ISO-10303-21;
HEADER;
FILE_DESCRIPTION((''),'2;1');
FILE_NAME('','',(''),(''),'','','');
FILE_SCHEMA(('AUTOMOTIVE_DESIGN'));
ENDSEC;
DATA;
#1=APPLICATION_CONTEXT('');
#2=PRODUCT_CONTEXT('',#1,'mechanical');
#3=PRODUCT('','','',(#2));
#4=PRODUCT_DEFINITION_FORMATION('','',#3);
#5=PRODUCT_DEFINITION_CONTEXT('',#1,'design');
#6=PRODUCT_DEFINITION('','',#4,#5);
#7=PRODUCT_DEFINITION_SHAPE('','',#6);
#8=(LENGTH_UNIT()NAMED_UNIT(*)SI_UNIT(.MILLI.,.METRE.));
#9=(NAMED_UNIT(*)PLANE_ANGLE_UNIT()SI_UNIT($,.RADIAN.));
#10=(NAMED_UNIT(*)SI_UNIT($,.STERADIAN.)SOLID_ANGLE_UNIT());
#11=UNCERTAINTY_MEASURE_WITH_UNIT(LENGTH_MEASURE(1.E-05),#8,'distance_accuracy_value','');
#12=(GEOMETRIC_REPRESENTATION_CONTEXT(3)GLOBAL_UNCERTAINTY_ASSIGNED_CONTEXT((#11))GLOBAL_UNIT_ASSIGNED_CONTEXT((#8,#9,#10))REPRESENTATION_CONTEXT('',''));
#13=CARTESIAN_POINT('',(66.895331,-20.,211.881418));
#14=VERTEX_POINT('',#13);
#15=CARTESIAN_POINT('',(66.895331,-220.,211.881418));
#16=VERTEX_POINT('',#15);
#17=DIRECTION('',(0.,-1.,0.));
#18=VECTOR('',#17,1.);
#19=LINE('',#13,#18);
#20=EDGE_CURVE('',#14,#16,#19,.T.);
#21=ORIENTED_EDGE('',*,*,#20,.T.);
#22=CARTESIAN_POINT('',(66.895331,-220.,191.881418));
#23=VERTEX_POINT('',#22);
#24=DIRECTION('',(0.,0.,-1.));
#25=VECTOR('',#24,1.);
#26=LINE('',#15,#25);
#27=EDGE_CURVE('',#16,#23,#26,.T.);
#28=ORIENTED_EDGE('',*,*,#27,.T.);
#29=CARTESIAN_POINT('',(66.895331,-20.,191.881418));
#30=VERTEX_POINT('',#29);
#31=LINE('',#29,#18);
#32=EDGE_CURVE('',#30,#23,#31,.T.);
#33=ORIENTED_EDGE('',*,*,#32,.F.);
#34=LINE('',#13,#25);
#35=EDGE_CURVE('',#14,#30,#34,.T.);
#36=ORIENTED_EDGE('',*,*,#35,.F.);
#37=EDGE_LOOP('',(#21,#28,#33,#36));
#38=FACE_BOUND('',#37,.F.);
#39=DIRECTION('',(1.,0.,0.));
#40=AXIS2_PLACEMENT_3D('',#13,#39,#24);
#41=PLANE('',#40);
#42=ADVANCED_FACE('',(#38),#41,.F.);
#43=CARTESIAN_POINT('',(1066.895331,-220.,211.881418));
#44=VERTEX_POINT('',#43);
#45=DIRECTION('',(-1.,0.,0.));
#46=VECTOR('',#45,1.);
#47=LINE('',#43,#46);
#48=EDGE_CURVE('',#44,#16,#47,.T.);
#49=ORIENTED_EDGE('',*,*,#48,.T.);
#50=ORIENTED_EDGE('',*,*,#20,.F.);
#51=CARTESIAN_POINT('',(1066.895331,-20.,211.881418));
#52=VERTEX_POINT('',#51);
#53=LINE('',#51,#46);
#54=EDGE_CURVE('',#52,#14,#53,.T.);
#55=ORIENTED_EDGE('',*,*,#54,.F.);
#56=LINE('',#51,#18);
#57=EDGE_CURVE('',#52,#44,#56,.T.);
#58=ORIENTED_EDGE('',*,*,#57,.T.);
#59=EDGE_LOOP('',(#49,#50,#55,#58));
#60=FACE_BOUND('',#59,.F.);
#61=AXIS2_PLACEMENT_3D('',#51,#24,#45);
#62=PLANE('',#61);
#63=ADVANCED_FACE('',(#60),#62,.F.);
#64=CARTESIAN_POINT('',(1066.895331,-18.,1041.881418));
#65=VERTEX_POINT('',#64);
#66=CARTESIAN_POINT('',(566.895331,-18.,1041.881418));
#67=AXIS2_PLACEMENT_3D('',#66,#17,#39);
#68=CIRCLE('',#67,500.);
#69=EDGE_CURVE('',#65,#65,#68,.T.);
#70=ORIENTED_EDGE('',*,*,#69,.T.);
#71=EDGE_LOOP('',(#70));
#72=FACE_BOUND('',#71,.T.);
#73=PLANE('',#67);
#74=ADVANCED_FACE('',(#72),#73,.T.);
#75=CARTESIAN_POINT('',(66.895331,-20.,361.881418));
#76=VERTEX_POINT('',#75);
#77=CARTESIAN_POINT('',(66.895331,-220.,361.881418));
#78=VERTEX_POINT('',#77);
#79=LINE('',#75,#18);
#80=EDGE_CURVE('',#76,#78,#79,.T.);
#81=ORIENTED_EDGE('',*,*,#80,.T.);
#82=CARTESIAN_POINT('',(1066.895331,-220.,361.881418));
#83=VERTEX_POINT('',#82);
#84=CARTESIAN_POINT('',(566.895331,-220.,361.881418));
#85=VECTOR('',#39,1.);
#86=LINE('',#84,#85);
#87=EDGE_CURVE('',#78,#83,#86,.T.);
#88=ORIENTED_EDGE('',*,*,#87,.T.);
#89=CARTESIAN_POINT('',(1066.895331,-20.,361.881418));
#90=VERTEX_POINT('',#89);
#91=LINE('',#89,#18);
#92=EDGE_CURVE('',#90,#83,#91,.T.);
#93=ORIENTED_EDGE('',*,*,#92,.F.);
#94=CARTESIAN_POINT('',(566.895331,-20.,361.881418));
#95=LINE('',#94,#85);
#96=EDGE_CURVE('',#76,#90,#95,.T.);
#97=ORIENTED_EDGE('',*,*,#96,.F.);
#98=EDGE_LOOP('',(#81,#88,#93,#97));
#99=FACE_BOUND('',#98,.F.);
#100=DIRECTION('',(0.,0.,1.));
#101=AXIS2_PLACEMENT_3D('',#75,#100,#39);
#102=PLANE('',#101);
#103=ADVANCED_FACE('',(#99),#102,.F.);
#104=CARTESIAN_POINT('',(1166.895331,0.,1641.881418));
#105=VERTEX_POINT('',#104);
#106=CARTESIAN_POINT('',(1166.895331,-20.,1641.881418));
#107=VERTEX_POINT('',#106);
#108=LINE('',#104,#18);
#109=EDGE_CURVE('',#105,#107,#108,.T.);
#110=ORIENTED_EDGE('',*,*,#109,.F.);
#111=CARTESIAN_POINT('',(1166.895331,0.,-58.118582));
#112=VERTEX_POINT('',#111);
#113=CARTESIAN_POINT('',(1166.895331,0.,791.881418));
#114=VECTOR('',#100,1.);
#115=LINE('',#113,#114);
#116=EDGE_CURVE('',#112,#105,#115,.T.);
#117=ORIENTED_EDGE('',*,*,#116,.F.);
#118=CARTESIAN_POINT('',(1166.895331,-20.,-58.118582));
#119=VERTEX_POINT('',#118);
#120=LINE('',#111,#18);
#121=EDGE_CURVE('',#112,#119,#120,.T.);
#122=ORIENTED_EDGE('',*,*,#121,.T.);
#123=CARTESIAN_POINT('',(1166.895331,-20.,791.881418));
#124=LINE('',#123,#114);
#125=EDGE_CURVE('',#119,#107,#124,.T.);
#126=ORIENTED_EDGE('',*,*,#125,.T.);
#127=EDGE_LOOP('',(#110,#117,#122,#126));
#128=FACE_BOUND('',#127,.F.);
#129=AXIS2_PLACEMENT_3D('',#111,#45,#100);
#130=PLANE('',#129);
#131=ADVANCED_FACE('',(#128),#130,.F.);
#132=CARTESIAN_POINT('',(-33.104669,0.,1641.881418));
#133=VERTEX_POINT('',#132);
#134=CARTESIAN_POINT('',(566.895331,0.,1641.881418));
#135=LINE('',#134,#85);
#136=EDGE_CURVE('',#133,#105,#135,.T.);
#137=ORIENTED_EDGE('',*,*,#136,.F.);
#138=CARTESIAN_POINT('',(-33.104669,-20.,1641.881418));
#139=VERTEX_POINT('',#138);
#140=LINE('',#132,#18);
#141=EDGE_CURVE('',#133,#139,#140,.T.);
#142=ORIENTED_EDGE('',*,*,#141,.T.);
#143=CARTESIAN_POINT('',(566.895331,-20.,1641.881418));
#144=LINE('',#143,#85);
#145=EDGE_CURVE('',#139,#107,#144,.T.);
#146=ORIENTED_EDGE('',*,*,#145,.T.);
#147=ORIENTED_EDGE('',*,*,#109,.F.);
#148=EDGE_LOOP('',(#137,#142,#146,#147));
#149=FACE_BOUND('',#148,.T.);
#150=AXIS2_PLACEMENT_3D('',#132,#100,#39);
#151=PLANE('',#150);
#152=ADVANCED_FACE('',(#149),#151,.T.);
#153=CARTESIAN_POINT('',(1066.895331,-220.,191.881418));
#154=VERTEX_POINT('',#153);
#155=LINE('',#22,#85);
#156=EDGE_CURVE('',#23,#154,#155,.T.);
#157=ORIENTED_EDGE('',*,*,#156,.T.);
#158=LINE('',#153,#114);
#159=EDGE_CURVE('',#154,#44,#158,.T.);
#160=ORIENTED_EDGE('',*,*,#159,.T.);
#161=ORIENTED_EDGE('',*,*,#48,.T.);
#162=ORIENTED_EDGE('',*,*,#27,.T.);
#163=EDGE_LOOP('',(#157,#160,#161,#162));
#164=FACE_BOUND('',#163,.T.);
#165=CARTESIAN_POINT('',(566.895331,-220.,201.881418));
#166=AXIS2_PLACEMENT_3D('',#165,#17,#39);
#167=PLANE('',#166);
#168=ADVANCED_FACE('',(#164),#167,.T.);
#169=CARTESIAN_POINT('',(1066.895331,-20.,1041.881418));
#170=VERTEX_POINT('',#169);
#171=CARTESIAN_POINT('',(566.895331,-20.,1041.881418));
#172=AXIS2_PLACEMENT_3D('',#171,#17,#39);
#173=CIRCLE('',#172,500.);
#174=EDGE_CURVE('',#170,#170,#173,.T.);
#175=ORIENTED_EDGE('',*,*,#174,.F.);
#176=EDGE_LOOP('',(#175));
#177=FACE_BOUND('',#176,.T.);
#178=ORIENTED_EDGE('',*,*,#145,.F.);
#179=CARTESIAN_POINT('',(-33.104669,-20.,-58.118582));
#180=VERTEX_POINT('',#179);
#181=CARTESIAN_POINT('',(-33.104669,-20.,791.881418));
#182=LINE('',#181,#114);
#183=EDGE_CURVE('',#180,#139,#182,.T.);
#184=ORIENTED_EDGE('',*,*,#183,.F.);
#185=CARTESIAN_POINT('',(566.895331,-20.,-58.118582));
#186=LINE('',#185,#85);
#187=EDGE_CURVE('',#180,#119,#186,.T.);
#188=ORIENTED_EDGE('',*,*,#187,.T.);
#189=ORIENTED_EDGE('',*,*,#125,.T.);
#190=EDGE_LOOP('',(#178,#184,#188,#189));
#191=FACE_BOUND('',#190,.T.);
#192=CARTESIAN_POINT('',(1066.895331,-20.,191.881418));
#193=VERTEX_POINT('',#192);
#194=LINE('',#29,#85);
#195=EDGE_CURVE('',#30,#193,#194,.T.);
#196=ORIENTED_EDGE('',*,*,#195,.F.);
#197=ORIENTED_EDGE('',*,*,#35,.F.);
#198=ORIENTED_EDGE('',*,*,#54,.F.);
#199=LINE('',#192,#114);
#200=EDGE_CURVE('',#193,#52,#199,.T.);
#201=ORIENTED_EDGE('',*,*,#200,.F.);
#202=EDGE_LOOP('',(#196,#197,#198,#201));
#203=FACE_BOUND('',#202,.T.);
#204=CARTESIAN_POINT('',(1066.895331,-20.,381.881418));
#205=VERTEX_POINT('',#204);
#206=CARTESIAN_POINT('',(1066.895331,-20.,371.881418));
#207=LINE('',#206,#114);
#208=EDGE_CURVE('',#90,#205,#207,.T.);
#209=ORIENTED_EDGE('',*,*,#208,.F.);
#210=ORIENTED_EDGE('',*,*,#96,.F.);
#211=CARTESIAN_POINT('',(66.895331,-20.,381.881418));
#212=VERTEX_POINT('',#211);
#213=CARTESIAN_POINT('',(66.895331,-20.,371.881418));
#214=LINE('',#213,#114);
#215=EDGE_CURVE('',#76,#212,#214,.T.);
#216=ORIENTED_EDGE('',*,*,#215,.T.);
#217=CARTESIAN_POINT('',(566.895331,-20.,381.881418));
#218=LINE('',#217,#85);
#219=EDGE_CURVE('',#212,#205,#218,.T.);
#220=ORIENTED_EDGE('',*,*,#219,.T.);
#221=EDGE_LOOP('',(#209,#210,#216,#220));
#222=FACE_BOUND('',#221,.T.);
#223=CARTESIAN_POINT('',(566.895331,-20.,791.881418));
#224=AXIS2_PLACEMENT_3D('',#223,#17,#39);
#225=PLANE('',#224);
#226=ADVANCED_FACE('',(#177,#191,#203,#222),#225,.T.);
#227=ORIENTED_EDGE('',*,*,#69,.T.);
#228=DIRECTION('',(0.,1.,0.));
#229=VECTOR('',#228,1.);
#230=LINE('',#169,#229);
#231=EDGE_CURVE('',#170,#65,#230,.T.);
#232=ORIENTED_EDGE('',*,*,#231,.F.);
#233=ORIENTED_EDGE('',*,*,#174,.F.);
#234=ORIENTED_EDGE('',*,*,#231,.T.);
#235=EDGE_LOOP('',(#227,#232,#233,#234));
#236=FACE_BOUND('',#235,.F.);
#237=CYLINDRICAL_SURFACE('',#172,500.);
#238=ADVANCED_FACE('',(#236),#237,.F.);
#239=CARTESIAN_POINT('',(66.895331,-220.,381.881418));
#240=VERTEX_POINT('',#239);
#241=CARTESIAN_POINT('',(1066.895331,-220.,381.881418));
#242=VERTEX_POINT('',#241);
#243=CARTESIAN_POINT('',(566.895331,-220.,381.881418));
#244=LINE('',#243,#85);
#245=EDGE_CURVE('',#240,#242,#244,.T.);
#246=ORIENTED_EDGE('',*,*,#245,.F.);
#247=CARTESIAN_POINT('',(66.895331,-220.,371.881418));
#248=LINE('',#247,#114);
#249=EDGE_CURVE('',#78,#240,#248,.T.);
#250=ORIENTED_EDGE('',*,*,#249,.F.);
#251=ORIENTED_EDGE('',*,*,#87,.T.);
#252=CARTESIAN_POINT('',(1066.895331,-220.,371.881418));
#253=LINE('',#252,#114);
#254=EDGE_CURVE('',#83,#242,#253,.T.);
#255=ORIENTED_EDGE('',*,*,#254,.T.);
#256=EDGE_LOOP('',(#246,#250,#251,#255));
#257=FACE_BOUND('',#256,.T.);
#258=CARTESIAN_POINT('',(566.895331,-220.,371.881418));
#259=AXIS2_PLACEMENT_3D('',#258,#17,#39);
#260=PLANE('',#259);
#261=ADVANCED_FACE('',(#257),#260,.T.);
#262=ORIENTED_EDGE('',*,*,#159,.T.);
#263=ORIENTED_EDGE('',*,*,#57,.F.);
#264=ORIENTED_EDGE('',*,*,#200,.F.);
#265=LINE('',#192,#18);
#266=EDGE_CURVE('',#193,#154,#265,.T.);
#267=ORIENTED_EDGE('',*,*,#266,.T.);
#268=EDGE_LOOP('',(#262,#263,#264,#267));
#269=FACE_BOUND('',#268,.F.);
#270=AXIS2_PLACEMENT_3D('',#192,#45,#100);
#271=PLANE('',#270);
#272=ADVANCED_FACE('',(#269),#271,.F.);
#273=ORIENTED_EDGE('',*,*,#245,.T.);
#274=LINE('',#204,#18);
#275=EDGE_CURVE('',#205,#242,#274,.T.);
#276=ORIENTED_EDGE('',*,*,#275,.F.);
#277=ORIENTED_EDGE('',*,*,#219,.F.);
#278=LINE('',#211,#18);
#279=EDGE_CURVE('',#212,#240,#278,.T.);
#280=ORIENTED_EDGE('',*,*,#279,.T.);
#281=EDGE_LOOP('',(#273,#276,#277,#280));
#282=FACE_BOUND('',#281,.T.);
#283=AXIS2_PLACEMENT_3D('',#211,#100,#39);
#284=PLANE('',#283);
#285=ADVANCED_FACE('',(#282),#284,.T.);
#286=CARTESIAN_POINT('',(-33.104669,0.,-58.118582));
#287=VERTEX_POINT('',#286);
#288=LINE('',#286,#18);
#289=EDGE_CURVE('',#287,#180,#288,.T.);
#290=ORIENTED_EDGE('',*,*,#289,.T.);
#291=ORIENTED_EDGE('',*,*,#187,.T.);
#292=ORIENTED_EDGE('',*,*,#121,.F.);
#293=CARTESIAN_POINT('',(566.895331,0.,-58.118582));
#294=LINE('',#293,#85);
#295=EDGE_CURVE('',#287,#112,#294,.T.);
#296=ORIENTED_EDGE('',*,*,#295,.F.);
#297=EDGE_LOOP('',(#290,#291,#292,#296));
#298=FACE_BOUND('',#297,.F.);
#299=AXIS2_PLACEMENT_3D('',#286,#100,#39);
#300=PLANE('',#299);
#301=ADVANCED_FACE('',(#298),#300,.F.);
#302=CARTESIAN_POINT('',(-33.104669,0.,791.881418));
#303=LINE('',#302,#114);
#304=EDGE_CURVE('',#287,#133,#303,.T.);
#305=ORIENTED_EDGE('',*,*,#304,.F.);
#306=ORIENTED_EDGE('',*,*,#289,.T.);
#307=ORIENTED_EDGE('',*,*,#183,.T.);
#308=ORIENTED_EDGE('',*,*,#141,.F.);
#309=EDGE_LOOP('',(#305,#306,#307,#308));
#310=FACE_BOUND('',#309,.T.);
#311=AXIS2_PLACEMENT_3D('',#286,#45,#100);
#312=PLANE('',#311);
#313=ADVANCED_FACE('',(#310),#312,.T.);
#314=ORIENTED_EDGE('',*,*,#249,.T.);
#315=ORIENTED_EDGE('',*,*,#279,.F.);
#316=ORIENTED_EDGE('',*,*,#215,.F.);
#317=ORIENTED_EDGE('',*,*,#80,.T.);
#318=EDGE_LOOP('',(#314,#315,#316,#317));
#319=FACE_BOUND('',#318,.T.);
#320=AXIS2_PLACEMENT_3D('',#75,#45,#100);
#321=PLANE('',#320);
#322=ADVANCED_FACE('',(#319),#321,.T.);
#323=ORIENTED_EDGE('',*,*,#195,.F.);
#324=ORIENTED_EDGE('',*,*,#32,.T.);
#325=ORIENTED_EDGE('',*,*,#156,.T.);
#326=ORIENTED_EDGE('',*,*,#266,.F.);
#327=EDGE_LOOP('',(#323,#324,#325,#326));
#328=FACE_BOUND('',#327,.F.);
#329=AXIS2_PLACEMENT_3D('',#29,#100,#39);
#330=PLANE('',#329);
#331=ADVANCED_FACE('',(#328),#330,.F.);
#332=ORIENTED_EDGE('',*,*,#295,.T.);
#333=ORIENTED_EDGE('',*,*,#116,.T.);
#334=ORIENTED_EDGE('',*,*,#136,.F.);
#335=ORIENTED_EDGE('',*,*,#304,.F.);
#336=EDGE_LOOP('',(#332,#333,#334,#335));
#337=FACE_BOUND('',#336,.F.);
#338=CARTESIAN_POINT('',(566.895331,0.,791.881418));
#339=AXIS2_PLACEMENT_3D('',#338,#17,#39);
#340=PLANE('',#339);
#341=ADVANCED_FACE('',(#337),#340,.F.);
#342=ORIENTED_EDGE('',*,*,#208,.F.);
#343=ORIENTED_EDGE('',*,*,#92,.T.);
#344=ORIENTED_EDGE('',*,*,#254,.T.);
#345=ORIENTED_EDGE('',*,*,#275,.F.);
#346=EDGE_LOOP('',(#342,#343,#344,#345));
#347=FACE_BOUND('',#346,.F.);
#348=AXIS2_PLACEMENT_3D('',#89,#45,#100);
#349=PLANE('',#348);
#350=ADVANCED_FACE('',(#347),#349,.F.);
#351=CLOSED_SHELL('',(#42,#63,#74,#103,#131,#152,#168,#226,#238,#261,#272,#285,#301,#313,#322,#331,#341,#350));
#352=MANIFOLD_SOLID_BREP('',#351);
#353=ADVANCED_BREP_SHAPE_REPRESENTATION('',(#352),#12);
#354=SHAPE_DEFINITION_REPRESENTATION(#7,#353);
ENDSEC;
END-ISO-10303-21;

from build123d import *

# Parameters (mm, degrees)
F0_W     = 1200
F0_H     = 1700
F1_DEPTH = 20
F2_R     = 500
F3_DEPTH = 2
F4_W     = 1000
F4_H     = 20
F5_DEPTH = 200


with BuildPart() as f1:
    # F0 (on Front) → F1 (new body)
    with BuildSketch(Plane.XZ):
        with Locations((566.895331, 791.881418)):
            Rectangle(F0_W, F0_H)
    extrude(amount=F1_DEPTH)

    # F2 (on face) → F3 (cut)
    with BuildSketch(Plane.XZ.offset(20)):
        with Locations((566.895331, 1041.881418)):
            Circle(F2_R)
    extrude(amount=-F3_DEPTH, mode=Mode.SUBTRACT)

    # F4 (on face) → F5 (join)
    with BuildSketch(Plane.XZ.offset(20)):
        Polygon((66.895331, 191.881418), (566.895331, 191.881418), (1066.895331, 191.881418), (1066.895331, 211.881418), (66.895331, 211.881418), align=None)
        with Locations((566.895331, 371.881418)):
            Rectangle(F4_W, F4_H)
    extrude(amount=F5_DEPTH)


solid = f1.part
